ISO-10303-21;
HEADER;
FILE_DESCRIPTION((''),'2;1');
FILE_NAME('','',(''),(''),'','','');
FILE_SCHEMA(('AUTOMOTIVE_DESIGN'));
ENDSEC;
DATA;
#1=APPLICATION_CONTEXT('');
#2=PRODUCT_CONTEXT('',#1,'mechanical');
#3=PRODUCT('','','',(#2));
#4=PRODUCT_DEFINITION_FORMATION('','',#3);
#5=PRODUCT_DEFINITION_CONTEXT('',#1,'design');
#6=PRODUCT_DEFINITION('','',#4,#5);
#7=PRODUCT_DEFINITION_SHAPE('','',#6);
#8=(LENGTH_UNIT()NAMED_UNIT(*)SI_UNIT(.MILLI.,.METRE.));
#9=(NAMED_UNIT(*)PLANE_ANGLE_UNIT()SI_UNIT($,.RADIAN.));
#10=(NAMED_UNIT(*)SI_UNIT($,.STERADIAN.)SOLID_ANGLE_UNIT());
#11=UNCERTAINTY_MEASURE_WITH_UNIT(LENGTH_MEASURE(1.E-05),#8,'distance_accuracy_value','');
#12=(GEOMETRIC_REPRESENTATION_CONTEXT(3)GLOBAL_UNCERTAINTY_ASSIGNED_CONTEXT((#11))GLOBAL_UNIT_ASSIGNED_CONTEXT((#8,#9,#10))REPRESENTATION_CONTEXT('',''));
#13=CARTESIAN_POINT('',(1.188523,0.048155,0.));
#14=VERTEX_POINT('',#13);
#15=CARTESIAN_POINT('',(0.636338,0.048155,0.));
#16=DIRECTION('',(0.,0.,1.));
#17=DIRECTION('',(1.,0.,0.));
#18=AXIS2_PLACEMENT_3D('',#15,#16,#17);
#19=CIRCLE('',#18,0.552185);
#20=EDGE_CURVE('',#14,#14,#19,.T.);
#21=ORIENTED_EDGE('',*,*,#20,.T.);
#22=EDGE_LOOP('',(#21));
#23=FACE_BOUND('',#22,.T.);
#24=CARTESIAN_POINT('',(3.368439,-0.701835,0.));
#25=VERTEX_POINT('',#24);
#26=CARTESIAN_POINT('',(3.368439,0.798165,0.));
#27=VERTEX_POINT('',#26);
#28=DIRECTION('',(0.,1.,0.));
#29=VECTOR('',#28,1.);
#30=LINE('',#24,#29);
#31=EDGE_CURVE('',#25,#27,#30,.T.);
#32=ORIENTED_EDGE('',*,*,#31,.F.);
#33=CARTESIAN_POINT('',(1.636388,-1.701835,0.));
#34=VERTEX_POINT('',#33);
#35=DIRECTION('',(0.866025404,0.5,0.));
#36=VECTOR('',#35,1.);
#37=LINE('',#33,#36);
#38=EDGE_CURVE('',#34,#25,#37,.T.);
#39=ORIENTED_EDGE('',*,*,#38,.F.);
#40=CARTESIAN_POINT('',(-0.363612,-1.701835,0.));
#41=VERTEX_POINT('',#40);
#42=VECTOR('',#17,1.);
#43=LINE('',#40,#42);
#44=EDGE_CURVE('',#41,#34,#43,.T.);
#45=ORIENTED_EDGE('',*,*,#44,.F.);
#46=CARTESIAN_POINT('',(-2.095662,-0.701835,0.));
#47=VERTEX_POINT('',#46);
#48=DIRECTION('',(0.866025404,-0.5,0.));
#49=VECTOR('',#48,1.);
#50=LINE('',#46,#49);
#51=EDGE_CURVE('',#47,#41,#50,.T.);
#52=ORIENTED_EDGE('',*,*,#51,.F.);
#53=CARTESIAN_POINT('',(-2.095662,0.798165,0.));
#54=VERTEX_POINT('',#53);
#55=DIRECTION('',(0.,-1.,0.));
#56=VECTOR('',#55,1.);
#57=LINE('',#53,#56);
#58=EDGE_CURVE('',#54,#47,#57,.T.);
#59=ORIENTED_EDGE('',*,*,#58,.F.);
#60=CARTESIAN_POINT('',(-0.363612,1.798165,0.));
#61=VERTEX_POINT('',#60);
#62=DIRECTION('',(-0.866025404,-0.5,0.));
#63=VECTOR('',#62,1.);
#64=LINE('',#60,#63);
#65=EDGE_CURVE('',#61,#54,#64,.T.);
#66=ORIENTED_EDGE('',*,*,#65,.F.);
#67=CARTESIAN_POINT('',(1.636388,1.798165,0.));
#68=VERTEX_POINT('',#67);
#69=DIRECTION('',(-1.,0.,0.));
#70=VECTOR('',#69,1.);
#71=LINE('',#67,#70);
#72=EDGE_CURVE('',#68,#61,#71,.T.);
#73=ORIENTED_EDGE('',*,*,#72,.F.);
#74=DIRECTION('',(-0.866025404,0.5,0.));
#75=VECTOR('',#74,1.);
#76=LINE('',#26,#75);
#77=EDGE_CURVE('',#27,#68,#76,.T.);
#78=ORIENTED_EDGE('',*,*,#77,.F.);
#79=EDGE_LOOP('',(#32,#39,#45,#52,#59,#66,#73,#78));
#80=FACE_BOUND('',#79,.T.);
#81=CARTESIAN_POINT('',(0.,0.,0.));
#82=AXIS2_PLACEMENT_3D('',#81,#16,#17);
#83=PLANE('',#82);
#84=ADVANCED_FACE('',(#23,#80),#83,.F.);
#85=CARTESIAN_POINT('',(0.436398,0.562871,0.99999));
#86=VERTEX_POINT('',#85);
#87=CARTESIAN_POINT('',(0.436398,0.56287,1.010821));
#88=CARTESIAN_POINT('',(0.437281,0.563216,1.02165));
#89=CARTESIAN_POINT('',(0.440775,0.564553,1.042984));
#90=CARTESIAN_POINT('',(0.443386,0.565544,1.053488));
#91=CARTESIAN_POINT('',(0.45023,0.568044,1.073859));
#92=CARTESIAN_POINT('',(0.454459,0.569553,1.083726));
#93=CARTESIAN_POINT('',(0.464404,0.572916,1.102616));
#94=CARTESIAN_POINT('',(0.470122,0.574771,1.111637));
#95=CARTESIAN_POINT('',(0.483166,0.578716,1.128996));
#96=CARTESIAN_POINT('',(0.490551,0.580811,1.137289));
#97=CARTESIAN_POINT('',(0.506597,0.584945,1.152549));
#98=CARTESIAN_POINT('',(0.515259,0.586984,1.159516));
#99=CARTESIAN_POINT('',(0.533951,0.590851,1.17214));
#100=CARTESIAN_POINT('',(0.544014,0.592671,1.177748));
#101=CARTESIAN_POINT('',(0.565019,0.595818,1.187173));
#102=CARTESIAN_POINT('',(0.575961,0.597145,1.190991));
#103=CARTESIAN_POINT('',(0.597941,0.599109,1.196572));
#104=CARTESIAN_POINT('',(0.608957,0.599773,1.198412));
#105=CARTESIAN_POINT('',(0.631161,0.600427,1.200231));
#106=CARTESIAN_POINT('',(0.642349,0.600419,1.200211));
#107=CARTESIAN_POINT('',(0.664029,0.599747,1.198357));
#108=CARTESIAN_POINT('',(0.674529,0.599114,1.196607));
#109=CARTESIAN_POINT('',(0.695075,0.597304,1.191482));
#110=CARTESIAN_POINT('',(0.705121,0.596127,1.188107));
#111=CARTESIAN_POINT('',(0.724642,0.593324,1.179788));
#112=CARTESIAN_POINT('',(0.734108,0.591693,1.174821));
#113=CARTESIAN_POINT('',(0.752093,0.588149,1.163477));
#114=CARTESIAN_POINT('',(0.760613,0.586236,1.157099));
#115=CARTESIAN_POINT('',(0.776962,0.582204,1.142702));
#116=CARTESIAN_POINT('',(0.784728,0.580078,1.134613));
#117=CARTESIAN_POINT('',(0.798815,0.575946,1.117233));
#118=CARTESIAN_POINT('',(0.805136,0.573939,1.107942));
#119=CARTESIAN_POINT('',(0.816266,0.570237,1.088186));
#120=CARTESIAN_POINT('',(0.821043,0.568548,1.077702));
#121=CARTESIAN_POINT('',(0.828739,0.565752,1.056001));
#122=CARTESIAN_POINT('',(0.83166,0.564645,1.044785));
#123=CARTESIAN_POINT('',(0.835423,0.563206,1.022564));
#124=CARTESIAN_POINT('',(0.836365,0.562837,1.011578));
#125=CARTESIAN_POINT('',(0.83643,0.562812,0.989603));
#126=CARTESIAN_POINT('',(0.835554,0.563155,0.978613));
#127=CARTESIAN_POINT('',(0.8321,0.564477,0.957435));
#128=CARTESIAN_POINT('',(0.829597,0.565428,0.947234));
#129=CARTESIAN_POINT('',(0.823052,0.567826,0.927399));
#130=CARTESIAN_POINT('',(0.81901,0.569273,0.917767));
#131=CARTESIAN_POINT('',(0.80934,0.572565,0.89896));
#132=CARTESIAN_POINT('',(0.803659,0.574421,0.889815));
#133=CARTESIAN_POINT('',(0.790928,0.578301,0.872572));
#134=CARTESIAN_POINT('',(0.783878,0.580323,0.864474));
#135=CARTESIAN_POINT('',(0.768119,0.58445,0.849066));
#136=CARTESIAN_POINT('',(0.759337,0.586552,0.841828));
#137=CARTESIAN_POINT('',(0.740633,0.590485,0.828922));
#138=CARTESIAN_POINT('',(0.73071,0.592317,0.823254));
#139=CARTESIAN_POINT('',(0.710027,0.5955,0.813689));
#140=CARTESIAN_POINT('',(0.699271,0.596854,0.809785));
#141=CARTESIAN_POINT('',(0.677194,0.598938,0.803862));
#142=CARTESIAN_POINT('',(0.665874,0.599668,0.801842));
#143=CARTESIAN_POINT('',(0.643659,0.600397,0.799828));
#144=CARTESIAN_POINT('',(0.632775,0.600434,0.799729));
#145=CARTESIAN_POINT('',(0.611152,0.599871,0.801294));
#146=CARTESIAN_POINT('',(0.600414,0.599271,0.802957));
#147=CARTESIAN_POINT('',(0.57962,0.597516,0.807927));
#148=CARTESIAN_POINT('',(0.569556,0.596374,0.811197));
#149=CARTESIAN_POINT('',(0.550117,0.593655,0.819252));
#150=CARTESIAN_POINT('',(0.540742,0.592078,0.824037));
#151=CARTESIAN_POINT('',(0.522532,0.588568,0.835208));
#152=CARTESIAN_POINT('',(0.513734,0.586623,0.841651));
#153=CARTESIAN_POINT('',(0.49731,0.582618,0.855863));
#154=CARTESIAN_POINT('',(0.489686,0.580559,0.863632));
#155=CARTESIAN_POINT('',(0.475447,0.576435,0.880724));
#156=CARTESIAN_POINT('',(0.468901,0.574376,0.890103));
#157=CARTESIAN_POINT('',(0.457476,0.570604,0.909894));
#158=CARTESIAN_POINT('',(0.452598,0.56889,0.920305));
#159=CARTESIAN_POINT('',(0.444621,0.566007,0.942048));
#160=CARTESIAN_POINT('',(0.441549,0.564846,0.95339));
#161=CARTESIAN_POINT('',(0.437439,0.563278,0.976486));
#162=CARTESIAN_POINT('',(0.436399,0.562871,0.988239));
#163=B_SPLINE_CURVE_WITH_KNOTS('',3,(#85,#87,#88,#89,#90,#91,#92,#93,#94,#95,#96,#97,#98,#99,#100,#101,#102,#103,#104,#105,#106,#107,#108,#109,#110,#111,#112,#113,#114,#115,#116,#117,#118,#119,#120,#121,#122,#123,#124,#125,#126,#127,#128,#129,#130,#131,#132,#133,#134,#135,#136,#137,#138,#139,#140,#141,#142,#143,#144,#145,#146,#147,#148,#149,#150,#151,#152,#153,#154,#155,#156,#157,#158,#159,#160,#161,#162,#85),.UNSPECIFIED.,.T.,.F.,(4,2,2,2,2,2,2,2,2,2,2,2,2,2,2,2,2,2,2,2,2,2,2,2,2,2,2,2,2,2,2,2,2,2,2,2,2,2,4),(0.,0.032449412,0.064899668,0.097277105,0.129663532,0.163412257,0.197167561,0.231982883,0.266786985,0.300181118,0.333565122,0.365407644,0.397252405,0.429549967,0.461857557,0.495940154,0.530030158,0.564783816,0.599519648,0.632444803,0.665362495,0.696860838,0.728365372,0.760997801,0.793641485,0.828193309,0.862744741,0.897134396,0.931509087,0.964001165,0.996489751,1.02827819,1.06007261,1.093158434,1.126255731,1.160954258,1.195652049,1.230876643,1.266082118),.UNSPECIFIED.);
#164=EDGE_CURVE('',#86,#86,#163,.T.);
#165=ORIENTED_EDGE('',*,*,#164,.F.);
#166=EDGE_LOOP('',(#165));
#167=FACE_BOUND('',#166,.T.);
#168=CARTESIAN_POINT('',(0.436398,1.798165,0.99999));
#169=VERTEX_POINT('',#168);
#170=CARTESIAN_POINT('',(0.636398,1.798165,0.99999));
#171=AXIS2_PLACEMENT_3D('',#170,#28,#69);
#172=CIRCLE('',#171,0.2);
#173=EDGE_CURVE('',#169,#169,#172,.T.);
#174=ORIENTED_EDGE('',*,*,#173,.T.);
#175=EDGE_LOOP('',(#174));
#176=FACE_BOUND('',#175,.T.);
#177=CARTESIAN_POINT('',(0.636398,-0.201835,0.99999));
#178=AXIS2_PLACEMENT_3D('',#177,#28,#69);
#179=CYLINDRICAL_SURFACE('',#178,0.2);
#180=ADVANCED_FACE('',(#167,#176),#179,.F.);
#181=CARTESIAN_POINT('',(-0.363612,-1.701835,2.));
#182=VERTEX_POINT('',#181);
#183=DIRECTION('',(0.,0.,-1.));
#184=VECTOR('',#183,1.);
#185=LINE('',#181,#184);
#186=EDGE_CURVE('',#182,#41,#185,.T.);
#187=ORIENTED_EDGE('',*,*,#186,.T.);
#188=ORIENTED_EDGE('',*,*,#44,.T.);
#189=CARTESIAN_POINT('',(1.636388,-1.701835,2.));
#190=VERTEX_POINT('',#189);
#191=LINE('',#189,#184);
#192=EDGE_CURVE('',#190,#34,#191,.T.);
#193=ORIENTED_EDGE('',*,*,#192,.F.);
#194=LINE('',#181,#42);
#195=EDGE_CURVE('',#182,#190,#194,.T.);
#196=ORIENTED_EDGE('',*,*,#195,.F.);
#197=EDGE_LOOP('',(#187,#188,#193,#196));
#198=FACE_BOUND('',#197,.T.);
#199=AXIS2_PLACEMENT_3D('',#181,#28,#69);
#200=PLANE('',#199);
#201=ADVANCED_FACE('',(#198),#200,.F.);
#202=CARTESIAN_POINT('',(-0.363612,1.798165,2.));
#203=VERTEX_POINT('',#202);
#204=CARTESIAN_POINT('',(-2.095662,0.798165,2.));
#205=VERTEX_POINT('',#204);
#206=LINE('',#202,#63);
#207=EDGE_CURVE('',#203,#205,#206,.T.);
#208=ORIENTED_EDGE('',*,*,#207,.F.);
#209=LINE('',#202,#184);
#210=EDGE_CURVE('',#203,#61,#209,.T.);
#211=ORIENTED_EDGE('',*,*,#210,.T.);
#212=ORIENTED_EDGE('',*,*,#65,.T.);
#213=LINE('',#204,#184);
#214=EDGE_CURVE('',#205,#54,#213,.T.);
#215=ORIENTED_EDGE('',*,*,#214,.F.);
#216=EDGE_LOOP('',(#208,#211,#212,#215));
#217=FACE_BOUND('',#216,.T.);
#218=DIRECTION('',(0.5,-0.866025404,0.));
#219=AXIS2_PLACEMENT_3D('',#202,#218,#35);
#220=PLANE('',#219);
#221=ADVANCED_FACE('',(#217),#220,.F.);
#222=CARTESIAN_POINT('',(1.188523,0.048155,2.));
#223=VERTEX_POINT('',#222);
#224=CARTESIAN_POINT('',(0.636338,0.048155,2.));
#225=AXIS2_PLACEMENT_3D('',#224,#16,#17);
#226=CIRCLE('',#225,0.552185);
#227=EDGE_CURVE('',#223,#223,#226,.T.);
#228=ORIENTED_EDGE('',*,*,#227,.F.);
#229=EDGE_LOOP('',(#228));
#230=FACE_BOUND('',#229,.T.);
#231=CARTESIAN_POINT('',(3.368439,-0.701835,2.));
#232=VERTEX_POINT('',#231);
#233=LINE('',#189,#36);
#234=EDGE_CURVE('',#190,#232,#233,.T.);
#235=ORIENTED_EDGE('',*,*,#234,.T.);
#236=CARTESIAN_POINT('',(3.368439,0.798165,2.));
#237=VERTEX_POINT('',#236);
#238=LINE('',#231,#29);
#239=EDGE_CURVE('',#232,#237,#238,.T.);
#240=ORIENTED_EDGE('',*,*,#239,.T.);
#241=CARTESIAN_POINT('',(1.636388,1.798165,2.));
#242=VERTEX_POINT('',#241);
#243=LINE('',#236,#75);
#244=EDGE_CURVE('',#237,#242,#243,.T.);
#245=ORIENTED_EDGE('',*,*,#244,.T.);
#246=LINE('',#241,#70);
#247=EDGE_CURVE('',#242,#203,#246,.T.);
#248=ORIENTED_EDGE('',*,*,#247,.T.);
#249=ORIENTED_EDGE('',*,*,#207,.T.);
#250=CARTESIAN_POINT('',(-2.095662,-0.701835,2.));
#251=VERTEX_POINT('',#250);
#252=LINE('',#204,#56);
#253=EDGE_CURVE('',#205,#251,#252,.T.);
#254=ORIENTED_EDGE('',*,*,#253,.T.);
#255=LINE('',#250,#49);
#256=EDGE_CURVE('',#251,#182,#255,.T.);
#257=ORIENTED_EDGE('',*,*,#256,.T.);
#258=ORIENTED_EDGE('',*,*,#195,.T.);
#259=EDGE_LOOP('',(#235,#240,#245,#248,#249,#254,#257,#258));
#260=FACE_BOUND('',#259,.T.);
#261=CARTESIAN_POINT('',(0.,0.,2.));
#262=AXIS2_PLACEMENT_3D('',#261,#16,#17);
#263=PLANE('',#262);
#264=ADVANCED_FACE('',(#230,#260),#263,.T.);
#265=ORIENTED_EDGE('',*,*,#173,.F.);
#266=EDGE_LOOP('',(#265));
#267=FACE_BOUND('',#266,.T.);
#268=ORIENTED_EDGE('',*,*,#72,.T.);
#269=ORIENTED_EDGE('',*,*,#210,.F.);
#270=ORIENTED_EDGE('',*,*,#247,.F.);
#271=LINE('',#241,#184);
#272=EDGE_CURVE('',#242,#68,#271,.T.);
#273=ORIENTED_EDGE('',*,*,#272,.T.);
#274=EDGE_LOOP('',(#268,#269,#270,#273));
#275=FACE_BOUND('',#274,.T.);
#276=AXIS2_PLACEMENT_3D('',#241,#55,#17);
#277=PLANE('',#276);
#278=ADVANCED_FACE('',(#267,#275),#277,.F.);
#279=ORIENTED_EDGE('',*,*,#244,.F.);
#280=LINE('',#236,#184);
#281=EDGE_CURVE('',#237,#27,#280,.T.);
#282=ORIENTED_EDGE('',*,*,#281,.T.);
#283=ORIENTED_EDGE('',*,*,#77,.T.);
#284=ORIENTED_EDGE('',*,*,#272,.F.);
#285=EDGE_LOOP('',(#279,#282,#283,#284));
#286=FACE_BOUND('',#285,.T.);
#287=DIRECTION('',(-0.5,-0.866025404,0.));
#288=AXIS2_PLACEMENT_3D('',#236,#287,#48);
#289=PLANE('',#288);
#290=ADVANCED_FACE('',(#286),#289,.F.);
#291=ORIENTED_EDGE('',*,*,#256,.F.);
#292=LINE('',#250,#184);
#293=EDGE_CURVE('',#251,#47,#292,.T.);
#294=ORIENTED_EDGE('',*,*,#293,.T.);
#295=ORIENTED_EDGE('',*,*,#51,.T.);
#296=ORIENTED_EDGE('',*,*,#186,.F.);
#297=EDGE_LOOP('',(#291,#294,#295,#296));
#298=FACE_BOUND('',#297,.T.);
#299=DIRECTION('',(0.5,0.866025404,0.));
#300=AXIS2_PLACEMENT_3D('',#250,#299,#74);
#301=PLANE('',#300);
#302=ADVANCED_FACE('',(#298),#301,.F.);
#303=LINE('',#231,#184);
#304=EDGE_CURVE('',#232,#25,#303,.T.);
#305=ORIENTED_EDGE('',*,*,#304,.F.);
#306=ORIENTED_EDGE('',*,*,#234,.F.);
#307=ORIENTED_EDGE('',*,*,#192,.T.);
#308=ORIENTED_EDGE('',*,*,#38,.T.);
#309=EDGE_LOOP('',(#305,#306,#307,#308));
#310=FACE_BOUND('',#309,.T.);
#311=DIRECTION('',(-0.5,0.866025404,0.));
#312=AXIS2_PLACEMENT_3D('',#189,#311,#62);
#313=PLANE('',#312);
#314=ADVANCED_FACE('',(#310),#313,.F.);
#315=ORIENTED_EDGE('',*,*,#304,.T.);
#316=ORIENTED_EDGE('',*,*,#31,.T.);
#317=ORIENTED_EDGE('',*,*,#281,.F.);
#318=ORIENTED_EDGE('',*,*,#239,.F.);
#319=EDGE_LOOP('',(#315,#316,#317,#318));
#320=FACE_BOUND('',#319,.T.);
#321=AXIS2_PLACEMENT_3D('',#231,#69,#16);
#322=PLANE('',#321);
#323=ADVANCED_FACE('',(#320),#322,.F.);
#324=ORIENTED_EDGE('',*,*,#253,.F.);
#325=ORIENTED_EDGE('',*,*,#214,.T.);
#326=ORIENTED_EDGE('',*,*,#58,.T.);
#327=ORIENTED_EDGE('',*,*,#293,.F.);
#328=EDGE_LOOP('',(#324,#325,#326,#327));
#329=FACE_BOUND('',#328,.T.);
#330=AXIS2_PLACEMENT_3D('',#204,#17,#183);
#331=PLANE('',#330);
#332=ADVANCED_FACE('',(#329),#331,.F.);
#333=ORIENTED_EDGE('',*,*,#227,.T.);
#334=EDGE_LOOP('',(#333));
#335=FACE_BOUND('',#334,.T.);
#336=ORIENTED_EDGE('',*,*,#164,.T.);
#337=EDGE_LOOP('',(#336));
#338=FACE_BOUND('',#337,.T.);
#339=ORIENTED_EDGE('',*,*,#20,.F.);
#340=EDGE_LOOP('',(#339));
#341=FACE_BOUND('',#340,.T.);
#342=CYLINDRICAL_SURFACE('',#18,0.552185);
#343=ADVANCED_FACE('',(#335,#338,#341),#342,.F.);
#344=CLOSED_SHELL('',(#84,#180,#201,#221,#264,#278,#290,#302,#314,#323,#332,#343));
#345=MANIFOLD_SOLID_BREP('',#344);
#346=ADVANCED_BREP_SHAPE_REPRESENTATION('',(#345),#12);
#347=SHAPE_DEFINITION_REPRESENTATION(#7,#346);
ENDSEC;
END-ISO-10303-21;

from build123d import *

# Parameters (mm, degrees)
BOSS_EXTRU_1_DEPTH      = 2
ESQUISSE2_R             = 0.552184806
ENL_V_MAT_EXTRU_1_DEPTH = 2
ESQUISSE3_R             = 0.2
ENL_V_MAT_EXTRU_2_DEPTH = 2


with BuildPart() as part:
    # Esquisse1 → Boss.-Extru.1 (new body)
    with BuildSketch(Plane.XY):
        Polygon((-0.363611689, 1.798165138), (-2.095662496, 0.798165138), (-2.095662496, -0.701834862), (-0.363611689, -1.701834862), (1.636388311, -1.701834862), (3.368439119, -0.701834862), (3.368439119, 0.798165138), (1.636388311, 1.798165138), align=None)
    extrude(amount=BOSS_EXTRU_1_DEPTH)

    # Esquisse2 → Enlèv. mat.-Extru.1 (cut)
    with BuildSketch(Plane.XY.offset(2)):
        with Locations((0.636338311, 0.048155138)):
            Circle(ESQUISSE2_R)
    extrude(amount=-ENL_V_MAT_EXTRU_1_DEPTH, mode=Mode.SUBTRACT)

    # Esquisse3 → Enlèv. mat.-Extru.2 (cut)
    with BuildSketch(Plane(origin=(0, 1.798165138, 0), x_dir=(1, 0, 0), z_dir=(0, 1, 0))):
        with Locations((0.636398311, -0.99999)):
            Circle(ESQUISSE3_R)
    extrude(amount=-ENL_V_MAT_EXTRU_2_DEPTH, mode=Mode.SUBTRACT)


solid = part.part
